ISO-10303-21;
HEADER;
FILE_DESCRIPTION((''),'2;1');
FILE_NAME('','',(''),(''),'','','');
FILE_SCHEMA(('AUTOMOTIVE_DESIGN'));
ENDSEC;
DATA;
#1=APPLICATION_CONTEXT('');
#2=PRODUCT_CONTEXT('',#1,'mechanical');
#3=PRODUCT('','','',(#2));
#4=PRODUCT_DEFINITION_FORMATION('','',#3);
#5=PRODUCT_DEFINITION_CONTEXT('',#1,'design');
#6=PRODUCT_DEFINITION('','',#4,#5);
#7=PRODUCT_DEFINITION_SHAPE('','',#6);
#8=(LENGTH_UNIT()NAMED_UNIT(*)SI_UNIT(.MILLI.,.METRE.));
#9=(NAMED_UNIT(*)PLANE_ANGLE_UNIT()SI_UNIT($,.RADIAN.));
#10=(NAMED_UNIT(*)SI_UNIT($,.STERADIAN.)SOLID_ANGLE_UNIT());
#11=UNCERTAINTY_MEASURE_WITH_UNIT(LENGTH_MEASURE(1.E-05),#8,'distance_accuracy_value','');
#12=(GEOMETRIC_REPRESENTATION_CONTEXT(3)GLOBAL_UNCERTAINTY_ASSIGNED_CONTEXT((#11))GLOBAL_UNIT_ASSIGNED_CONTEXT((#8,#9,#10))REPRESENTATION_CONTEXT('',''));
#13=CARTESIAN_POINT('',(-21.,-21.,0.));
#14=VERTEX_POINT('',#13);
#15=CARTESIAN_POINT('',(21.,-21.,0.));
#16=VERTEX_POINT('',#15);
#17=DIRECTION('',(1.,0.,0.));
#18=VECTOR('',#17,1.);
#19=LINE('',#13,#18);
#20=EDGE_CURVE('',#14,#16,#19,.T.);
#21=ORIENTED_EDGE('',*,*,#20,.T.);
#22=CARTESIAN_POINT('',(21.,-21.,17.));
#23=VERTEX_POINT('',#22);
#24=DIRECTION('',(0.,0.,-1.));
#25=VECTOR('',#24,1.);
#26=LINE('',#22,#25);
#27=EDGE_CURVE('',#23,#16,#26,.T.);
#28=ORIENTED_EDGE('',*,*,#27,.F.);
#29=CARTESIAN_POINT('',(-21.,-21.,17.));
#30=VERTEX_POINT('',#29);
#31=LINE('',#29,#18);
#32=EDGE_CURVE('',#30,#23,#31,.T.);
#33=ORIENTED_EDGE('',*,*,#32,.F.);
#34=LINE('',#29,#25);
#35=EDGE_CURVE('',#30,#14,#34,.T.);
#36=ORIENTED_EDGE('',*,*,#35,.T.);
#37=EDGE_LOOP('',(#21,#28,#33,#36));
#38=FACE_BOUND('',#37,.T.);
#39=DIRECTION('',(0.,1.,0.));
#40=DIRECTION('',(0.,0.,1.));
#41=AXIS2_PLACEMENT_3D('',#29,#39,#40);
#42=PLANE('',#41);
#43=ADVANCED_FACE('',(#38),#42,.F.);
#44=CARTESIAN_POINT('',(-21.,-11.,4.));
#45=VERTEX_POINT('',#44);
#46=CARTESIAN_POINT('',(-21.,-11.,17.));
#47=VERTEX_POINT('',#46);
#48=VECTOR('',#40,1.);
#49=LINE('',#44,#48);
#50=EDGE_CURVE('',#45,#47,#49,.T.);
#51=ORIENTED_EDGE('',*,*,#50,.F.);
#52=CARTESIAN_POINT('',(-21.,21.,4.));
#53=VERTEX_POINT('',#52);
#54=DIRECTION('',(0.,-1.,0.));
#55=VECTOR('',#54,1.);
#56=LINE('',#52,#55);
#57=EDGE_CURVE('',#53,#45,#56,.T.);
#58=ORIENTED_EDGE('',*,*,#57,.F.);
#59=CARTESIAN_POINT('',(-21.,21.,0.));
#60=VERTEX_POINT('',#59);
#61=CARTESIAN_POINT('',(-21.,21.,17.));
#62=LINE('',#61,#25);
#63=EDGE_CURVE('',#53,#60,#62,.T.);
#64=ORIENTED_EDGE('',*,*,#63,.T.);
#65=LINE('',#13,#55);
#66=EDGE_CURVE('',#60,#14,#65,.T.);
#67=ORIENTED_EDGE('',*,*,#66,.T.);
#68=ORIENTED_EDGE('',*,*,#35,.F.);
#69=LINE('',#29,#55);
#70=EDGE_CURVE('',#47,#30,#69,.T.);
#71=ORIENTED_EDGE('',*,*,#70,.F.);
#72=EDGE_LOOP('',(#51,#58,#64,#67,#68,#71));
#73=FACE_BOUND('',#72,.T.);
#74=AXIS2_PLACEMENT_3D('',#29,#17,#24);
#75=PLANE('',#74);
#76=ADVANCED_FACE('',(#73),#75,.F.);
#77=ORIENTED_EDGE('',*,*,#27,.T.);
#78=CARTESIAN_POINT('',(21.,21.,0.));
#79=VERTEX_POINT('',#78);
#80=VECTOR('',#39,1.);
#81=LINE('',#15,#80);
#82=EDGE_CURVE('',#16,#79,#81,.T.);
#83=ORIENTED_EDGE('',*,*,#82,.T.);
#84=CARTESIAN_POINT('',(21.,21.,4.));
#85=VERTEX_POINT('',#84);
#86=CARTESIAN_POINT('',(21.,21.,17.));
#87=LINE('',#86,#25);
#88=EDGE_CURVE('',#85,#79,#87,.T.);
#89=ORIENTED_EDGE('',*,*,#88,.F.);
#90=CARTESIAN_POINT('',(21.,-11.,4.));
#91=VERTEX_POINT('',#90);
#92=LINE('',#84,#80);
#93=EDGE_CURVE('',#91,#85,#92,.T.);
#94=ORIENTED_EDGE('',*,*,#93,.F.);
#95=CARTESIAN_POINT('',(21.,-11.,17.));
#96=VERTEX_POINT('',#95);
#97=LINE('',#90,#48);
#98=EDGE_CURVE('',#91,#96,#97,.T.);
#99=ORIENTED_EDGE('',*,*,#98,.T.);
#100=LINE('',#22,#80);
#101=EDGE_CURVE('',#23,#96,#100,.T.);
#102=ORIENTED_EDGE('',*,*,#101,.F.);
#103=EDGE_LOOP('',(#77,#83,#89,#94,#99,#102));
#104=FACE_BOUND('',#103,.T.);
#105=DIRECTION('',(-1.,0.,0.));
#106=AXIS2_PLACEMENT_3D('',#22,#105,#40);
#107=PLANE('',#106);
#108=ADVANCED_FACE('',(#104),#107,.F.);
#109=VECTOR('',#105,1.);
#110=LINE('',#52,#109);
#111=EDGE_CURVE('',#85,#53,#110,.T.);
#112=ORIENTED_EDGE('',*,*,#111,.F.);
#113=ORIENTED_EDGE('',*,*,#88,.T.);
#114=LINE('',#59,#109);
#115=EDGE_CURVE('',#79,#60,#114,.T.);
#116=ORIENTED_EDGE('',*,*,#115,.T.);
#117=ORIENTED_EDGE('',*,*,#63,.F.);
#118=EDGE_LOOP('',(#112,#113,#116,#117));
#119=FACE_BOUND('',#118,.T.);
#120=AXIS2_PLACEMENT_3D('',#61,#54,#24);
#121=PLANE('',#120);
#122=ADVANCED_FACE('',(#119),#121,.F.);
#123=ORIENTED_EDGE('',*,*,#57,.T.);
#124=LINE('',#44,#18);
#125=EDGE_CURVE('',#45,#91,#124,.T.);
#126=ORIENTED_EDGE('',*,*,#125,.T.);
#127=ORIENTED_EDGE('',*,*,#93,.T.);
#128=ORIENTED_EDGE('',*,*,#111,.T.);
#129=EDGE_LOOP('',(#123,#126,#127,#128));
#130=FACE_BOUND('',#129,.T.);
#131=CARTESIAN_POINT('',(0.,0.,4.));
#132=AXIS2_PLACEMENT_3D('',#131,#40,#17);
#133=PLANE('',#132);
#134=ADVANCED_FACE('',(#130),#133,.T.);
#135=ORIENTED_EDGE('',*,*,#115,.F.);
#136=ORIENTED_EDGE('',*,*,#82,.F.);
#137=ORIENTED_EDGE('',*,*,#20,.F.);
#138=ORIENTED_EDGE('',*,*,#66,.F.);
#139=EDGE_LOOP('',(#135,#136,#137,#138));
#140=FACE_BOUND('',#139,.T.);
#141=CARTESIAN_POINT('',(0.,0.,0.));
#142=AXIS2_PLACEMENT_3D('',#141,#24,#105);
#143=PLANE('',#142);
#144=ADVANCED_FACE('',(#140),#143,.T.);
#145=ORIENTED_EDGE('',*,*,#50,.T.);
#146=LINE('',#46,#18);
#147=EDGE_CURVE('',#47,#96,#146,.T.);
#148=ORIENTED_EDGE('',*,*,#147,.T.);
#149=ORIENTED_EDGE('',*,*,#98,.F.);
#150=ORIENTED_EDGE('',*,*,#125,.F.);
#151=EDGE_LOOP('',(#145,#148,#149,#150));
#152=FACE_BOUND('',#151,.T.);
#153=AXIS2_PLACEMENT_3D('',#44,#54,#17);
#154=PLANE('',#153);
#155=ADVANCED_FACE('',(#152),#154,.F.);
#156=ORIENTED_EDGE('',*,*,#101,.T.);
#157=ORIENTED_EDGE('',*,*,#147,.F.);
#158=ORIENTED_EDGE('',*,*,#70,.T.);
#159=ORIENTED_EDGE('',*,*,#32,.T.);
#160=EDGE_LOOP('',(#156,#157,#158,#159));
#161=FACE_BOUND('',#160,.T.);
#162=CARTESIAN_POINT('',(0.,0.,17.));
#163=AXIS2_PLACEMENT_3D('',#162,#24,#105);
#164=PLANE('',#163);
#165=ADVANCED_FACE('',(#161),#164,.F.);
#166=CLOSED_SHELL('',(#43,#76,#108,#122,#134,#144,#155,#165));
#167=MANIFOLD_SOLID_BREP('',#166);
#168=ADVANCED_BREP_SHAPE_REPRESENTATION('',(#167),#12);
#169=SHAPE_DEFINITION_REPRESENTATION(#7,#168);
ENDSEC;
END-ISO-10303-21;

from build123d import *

# Parameters (mm, degrees)
SKETCH1_W           = 42
SKETCH1_H           = 42
BOSS_EXTRUDE1_DEPTH = 17
SKETCH2_W           = 42
SKETCH2_H           = 32
CUT_EXTRUDE1_DEPTH  = 13


with BuildPart() as part:
    # Sketch1 → Boss-Extrude1 (new body)
    with BuildSketch(Plane.XY):
        Rectangle(SKETCH1_W, SKETCH1_H)
    extrude(amount=BOSS_EXTRUDE1_DEPTH)

    # Sketch2 → Cut-Extrude1 (cut)
    with BuildSketch(Plane.XY.offset(17)):
        with Locations((0, 5)):
            Rectangle(SKETCH2_W, SKETCH2_H)
    extrude(amount=-CUT_EXTRUDE1_DEPTH, mode=Mode.SUBTRACT)


solid = part.part
